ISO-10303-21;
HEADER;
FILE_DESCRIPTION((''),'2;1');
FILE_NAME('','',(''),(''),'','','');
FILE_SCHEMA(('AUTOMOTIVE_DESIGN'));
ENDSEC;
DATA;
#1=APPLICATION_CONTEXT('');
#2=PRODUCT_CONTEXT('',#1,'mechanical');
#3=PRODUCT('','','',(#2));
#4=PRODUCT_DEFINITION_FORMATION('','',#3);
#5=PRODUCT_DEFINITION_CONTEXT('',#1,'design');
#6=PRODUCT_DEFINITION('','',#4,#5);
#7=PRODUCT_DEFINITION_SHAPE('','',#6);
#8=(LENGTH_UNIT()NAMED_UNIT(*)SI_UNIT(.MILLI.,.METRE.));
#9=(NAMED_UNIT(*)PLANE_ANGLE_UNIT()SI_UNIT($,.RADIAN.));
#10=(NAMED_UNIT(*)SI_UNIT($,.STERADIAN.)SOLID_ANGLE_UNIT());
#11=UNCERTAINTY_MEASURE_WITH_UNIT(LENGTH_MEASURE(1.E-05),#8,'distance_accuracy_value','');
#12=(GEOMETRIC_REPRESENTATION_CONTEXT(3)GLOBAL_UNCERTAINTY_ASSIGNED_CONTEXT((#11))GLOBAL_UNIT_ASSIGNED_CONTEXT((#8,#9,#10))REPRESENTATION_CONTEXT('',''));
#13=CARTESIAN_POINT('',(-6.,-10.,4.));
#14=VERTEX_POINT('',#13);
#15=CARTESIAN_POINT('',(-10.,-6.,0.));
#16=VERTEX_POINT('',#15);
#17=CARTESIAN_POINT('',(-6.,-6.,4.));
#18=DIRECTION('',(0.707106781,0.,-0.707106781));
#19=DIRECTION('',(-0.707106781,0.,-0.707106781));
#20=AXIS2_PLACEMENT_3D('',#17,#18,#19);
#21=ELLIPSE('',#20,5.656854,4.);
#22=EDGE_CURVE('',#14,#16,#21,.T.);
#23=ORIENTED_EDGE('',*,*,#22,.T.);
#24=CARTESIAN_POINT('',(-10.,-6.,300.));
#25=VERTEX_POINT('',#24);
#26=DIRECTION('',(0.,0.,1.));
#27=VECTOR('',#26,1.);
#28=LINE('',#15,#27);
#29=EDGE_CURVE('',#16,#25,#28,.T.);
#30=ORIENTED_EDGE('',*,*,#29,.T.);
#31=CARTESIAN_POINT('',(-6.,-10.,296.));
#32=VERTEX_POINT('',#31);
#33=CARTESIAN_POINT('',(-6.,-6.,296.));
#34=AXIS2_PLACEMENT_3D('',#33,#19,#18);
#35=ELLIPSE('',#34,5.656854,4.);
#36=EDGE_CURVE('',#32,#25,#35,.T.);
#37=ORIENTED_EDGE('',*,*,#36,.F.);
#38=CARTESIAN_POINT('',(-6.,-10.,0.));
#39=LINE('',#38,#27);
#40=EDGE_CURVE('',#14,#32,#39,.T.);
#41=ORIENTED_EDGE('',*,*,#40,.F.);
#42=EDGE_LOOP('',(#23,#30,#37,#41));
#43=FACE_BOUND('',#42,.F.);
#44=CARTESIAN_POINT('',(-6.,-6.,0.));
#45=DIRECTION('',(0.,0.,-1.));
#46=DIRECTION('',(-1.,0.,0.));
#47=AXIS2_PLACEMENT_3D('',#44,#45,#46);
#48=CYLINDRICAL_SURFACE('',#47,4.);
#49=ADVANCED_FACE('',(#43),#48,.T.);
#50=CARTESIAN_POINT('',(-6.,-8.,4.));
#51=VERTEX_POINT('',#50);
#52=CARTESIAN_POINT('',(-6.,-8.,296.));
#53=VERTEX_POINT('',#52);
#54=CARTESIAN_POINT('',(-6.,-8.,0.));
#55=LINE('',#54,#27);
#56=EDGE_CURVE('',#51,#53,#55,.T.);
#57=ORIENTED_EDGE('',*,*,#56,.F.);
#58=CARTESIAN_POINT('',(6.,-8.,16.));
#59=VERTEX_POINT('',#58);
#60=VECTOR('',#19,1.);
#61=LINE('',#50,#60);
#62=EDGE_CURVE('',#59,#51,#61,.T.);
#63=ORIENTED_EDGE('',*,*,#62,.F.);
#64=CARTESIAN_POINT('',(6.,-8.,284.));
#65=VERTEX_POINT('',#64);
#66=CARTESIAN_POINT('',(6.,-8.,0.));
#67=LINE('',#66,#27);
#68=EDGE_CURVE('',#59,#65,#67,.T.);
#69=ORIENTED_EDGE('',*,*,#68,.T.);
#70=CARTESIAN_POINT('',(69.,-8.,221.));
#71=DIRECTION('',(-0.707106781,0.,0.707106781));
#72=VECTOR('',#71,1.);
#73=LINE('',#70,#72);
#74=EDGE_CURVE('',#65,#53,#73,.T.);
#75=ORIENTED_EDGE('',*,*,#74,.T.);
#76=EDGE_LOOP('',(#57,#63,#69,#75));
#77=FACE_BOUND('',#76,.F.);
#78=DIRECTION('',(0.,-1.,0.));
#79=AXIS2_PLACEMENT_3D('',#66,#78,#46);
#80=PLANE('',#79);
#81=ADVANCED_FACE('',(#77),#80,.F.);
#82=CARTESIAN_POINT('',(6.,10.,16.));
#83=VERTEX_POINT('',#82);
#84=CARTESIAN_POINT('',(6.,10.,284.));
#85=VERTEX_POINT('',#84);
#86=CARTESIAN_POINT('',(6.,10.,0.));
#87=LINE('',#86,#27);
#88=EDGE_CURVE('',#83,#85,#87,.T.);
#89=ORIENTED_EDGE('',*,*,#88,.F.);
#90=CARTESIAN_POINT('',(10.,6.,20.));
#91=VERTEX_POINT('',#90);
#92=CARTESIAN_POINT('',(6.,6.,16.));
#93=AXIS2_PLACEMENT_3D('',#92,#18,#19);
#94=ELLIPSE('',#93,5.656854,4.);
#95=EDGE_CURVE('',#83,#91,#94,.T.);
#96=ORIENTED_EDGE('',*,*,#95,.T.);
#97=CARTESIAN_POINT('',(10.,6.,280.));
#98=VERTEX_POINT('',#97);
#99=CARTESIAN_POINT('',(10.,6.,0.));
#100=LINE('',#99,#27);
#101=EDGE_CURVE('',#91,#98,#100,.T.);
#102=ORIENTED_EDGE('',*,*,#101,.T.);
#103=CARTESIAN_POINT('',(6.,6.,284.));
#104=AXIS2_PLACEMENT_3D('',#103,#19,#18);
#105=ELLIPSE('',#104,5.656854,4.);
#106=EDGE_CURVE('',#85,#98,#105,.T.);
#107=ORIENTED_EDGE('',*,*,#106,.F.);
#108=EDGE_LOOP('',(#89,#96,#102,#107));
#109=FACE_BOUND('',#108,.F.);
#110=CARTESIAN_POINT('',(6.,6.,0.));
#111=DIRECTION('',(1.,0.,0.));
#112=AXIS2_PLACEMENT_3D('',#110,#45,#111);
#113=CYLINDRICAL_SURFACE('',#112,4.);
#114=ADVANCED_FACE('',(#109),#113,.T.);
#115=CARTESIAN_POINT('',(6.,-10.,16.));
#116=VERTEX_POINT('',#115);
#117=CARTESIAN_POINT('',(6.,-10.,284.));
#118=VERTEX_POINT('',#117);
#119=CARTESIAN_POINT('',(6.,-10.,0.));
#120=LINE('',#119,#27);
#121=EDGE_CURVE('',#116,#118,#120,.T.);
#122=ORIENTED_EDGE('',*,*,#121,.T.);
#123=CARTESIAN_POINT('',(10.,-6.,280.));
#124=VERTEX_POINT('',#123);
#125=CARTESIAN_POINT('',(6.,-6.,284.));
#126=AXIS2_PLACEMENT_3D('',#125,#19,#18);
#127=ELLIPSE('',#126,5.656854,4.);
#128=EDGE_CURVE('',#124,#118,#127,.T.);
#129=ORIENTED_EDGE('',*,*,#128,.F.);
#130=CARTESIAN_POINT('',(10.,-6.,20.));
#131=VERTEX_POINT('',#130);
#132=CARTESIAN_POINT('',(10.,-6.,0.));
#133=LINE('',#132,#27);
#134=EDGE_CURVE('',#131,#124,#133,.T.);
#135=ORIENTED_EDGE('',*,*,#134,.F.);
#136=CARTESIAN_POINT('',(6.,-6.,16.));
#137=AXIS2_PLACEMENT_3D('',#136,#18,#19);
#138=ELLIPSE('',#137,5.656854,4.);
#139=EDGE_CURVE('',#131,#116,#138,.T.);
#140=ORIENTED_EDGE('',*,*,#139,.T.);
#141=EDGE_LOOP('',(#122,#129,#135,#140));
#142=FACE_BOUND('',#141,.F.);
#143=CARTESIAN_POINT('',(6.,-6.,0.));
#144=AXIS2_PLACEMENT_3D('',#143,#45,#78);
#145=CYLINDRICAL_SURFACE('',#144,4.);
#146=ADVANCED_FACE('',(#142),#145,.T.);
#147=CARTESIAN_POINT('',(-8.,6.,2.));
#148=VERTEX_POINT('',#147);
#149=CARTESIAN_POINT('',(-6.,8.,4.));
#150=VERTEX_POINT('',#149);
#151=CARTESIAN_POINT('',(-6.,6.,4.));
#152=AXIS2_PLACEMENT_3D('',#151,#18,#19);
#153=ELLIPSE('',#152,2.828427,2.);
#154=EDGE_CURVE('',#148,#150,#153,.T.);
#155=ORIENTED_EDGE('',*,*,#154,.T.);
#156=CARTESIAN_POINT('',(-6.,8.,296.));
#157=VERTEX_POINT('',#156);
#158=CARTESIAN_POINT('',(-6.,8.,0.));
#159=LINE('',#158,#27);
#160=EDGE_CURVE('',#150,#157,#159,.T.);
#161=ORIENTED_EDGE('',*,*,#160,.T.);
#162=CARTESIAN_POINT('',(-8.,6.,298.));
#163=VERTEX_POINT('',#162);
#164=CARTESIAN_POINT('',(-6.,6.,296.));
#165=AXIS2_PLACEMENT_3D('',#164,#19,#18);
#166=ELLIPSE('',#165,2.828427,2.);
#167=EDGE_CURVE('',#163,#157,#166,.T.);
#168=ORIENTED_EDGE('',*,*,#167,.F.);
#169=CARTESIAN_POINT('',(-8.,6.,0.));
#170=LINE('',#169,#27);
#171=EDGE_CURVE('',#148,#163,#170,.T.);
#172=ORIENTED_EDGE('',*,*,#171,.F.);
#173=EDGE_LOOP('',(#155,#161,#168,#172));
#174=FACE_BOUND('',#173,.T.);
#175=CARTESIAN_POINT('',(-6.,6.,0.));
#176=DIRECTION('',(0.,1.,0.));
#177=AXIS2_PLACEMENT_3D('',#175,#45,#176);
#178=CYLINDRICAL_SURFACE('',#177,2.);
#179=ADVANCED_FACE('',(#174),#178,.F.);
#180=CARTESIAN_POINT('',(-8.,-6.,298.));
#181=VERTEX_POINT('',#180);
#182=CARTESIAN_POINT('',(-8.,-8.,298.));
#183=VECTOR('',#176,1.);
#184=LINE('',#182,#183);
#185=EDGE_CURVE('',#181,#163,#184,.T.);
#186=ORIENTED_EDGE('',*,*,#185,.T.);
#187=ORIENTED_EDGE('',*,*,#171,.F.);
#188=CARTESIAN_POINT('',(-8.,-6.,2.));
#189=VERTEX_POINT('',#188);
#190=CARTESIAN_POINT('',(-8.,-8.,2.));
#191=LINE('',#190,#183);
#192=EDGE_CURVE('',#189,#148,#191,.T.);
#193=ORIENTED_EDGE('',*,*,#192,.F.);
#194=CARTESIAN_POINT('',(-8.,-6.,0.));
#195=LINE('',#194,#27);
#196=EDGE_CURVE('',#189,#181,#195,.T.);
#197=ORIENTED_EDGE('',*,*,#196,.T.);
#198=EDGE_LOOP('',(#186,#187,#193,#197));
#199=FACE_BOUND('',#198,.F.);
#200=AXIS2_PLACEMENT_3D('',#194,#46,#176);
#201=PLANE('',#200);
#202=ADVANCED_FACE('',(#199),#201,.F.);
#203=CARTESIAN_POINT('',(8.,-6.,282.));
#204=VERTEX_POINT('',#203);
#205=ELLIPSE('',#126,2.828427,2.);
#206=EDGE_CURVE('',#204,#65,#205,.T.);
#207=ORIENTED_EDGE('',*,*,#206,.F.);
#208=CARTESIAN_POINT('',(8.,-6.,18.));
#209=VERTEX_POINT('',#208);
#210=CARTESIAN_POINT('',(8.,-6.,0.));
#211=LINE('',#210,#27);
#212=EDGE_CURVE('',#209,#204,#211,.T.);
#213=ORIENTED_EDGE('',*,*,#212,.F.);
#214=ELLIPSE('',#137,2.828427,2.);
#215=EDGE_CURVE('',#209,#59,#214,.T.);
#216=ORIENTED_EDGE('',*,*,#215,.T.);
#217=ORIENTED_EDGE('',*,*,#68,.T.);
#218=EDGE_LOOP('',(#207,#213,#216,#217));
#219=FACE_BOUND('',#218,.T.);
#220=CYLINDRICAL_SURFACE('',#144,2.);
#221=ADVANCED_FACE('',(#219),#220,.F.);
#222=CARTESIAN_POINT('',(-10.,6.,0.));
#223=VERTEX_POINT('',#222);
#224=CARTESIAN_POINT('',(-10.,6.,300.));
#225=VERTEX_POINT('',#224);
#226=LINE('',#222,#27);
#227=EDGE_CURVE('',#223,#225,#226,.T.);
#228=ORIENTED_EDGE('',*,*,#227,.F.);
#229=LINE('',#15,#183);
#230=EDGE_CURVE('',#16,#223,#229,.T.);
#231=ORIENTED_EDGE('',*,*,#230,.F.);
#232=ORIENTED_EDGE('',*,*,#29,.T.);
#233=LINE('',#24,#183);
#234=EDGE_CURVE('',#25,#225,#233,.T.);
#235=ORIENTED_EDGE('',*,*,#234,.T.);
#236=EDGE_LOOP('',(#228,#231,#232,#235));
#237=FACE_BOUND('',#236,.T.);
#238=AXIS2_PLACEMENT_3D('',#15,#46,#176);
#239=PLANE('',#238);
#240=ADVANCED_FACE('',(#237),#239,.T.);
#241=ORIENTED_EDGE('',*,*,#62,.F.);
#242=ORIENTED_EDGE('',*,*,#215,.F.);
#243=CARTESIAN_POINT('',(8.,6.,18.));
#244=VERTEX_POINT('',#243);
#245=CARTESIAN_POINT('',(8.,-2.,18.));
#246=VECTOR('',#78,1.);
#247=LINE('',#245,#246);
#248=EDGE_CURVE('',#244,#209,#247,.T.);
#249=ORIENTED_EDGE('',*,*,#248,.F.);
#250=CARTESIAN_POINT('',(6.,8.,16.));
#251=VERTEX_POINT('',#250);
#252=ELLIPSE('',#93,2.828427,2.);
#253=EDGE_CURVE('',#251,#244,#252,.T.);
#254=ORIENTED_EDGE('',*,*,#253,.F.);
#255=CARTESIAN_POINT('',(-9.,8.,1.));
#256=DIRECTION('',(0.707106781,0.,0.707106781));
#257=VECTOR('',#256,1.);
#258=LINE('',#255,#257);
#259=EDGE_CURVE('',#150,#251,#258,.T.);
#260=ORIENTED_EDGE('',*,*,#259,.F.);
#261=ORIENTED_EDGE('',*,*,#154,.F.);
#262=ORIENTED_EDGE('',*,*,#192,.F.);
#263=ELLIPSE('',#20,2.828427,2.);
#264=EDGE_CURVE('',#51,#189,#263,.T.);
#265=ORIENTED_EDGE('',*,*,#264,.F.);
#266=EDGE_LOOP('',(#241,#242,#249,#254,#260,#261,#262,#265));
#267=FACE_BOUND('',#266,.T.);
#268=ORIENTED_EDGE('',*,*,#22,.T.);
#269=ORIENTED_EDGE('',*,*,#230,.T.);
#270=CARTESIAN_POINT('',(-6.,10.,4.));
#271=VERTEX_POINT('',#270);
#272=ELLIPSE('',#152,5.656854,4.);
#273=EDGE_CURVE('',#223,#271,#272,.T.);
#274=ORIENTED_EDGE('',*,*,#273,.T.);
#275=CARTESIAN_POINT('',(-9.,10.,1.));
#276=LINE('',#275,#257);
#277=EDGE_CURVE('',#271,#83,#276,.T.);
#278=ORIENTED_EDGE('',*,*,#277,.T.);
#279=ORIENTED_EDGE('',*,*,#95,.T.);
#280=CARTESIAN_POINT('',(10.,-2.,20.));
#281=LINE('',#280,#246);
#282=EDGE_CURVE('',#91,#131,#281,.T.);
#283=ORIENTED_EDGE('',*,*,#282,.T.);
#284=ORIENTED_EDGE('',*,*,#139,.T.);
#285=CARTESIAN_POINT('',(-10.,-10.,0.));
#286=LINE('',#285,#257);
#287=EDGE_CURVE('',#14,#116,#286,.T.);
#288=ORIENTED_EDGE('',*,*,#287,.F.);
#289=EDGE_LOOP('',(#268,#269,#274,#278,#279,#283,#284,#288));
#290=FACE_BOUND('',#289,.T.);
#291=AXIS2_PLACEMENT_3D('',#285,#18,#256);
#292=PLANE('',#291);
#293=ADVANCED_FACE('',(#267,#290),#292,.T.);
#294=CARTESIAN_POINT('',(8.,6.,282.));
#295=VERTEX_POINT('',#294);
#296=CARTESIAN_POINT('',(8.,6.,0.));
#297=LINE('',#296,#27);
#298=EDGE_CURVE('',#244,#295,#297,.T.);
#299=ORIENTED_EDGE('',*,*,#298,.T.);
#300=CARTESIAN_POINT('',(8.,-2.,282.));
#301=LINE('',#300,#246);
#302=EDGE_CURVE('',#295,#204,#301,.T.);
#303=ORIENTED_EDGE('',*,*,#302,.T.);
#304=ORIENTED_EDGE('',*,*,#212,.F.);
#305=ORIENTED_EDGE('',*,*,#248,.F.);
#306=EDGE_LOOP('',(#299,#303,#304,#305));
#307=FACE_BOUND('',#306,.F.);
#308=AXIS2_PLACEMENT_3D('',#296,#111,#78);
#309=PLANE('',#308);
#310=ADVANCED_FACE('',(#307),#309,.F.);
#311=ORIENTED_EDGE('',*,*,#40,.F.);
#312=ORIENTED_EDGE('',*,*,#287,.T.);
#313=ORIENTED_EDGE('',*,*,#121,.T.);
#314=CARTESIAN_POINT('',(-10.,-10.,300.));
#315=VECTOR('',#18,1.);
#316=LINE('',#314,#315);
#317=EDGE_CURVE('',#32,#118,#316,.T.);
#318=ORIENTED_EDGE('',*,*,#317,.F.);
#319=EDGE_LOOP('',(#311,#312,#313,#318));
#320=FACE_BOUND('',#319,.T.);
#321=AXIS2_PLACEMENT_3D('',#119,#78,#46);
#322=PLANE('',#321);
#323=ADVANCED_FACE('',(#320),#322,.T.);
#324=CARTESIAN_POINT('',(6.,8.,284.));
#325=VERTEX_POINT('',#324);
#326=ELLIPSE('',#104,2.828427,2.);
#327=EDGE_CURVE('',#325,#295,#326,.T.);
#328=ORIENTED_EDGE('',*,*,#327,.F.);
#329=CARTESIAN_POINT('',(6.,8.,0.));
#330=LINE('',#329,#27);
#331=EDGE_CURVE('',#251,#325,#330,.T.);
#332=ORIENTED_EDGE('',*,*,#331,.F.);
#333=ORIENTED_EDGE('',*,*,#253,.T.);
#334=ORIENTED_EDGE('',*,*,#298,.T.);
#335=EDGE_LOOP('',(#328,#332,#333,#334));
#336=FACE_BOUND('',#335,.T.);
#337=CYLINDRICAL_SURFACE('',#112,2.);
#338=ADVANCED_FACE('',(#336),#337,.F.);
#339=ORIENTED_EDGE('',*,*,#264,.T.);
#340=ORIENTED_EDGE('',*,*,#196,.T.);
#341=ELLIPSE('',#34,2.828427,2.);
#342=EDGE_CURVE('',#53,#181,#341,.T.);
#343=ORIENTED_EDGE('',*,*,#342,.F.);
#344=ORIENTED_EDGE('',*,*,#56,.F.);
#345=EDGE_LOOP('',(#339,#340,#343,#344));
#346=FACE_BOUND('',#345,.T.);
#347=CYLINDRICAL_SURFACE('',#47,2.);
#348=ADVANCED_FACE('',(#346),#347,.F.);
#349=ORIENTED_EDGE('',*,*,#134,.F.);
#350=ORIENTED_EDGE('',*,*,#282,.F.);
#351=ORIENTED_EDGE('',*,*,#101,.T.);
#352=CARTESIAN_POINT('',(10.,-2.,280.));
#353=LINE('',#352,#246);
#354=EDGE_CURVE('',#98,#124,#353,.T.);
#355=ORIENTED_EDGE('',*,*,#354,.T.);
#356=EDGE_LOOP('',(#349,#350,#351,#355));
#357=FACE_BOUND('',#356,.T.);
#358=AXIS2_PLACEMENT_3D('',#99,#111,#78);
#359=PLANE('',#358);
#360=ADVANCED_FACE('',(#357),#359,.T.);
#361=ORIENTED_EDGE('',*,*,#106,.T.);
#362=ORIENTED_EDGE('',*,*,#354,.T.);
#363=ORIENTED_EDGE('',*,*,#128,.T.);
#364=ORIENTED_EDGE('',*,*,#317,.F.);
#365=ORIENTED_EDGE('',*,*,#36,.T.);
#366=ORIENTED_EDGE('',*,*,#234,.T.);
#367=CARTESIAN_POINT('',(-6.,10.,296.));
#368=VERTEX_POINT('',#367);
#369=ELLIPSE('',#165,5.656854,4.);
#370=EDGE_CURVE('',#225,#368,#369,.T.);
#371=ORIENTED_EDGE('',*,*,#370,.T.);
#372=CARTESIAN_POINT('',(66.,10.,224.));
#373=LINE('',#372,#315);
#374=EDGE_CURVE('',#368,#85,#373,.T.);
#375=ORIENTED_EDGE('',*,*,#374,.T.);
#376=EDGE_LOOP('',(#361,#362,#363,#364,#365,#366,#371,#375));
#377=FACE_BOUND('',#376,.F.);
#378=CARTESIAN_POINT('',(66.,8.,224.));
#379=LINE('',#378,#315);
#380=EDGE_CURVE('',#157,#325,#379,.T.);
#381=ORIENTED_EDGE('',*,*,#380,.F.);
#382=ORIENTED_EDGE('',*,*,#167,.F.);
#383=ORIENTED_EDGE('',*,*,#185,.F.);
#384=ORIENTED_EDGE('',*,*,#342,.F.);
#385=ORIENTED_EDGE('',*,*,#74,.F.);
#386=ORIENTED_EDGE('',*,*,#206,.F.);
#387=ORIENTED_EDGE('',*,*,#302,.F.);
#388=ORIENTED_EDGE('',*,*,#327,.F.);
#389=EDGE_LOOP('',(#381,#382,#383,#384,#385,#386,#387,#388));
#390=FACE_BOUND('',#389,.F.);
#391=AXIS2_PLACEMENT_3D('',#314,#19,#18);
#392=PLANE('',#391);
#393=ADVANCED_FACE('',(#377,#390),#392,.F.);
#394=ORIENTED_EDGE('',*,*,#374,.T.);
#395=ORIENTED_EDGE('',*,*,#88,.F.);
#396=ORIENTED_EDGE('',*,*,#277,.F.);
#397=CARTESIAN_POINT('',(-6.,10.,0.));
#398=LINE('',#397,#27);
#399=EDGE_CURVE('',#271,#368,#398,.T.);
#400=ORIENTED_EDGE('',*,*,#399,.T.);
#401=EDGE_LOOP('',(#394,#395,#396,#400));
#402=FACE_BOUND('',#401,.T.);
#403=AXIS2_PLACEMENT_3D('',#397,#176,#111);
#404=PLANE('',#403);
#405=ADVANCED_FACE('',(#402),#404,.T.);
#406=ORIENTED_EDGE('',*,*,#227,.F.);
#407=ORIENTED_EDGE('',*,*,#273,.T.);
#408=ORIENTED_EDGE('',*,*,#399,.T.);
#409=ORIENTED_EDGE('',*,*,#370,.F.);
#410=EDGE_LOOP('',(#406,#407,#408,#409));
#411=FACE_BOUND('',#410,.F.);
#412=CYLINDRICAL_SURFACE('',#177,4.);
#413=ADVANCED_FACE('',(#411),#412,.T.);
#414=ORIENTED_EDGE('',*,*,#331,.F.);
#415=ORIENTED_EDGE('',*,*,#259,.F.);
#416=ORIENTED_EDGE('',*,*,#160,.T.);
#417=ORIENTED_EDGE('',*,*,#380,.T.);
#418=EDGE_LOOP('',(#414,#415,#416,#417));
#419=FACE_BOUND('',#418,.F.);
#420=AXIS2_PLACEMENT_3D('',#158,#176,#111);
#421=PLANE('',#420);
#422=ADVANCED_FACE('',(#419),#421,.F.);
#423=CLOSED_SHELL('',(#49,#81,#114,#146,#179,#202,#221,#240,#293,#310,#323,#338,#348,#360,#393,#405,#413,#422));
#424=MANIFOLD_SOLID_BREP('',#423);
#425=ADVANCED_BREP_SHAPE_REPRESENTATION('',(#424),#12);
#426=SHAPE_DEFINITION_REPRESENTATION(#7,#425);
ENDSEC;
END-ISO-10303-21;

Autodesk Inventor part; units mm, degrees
ref_plane "YZ Plane" through (0, 0, 0) normal (1, 0, 0) x (0, 1, 0)
ref_plane "Piano iniziale" through (0, 0, 0) normal (0, 0, 1) x (1, 0, 0)
ref_plane "Piano finale" through (0, 0, 300) normal (0, 0, 1) x (1, 0, 0)
sketch "Schizzo" plane through (0, 0, 0) normal (0, 0, 1) x (1, 0, 0)
  line L0 (-10, -6) -> (-10, 6)
  line L1 (-6, 10) -> (6, 10)
  line L2 (10, 6) -> (10, -6)
  line L3 (6, -10) -> (-6, -10)
  arc A0 (-10, -6) -> (-6, -10) centre (-6, -6) ccw
  arc A1 (10, 6) -> (6, 10) centre (6, 6) ccw
  arc A2 (-6, 10) -> (-10, 6) centre (-6, 6) ccw
  arc A3 (6, -10) -> (10, -6) centre (6, -6) ccw
  arc A4 (-6, 8) -> (-8, 6) centre (-6, 6) ccw
  line L4 (-6, 8) -> (6, 8)
  arc A5 (8, 6) -> (6, 8) centre (6, 6) ccw
  line L5 (8, 6) -> (8, -6)
  arc A6 (6, -8) -> (8, -6) centre (6, -6) ccw
  line L6 (6, -8) -> (-6, -8)
  arc A7 (-8, -6) -> (-6, -8) centre (-6, -6) ccw
  line L7 (-8, -6) -> (-8, 6)
  line L8 (0, 15.1598) -> (0, -15.1598) construction
  line L9 (-15.1598, 0) -> (15.1598, 0) construction
  dimension "d7" = 4
  dimension "d9" = 20
  dimension "d11" = 20
  dimension "d12" = 2
  dimension "d15" = 10
  dimension "d16" = 10
extrude "Corpo" add sketch "Schizzo" along normal up to surface (300 mm away) from surface at 0
sketch "Sketch3" plane through (0, 0, 0) normal (0, 0, 1) x (1, 0, 0)
  line L0 (0, 0) -> (10, 0)
ref_plane "Work Plane3" through (0, 0, 0) normal (0, -1, 0) x (1, 0, 0)
sketch "Sketch4" plane through (0, 0, 0) normal (0, -1, 0) x (1, 0, 0)
  line L0 (-2, 0) -> (12, 0)
  line L1 (-2, 300) -> (12, 300)
  dimension "d18" = 300
sketch "Schizzo5" plane through (-6, -10, 0) normal (0, -1, 0) x (1, 0, 0)
  line L0 (-4, 0) -> (0, 0) projected
  line L1 (-4, 0) -> (27.2685, 31.2685)
  line L2 (-4, 0) -> (40.2203, 0) construction
  line L3 (27.2685, 31.2685) -> (27.2685, 0)
  line L4 (27.2685, 0) -> (-4, 0)
  line L5 (-4, 300) -> (31.4981, 264.5019)
  line L6 (-4, 300) -> (46.2019, 300) construction
  line L7 (31.4981, 264.5019) -> (31.4981, 300)
  line L8 (31.4981, 300) -> (-4, 300)
  point P0 (6, 0)
  dimension "d19" = 45
  dimension "d20" = 45
extrude "Estrusione2" cut sketch "Schizzo5" against normal up to next
equation "\"d7\" = G_IR"
equation "\"d9\" = G_W"
equation "\"d11\" = G_H"
equation "\"d12\" = G_T"
equation "\"d15\" = 0.5 * d9"
equation "\"d16\" = 0.5 * d11"
equation "\"d3\" = G_L"
equation "\"G_W\" = 20"
equation "\"G_H\" = 20"
equation "\"G_T\" = 2"
equation "\"G_IR\" = 4"
equation "\"G_L\" = d18"
equation "\"G_OFFSET_START\" = 0"
equation "\"G_OFFSET_END\" = 0"
properties part number "ISO 10799-2 - 20x20x2 - 300" material "Acciaio, Dolce"
